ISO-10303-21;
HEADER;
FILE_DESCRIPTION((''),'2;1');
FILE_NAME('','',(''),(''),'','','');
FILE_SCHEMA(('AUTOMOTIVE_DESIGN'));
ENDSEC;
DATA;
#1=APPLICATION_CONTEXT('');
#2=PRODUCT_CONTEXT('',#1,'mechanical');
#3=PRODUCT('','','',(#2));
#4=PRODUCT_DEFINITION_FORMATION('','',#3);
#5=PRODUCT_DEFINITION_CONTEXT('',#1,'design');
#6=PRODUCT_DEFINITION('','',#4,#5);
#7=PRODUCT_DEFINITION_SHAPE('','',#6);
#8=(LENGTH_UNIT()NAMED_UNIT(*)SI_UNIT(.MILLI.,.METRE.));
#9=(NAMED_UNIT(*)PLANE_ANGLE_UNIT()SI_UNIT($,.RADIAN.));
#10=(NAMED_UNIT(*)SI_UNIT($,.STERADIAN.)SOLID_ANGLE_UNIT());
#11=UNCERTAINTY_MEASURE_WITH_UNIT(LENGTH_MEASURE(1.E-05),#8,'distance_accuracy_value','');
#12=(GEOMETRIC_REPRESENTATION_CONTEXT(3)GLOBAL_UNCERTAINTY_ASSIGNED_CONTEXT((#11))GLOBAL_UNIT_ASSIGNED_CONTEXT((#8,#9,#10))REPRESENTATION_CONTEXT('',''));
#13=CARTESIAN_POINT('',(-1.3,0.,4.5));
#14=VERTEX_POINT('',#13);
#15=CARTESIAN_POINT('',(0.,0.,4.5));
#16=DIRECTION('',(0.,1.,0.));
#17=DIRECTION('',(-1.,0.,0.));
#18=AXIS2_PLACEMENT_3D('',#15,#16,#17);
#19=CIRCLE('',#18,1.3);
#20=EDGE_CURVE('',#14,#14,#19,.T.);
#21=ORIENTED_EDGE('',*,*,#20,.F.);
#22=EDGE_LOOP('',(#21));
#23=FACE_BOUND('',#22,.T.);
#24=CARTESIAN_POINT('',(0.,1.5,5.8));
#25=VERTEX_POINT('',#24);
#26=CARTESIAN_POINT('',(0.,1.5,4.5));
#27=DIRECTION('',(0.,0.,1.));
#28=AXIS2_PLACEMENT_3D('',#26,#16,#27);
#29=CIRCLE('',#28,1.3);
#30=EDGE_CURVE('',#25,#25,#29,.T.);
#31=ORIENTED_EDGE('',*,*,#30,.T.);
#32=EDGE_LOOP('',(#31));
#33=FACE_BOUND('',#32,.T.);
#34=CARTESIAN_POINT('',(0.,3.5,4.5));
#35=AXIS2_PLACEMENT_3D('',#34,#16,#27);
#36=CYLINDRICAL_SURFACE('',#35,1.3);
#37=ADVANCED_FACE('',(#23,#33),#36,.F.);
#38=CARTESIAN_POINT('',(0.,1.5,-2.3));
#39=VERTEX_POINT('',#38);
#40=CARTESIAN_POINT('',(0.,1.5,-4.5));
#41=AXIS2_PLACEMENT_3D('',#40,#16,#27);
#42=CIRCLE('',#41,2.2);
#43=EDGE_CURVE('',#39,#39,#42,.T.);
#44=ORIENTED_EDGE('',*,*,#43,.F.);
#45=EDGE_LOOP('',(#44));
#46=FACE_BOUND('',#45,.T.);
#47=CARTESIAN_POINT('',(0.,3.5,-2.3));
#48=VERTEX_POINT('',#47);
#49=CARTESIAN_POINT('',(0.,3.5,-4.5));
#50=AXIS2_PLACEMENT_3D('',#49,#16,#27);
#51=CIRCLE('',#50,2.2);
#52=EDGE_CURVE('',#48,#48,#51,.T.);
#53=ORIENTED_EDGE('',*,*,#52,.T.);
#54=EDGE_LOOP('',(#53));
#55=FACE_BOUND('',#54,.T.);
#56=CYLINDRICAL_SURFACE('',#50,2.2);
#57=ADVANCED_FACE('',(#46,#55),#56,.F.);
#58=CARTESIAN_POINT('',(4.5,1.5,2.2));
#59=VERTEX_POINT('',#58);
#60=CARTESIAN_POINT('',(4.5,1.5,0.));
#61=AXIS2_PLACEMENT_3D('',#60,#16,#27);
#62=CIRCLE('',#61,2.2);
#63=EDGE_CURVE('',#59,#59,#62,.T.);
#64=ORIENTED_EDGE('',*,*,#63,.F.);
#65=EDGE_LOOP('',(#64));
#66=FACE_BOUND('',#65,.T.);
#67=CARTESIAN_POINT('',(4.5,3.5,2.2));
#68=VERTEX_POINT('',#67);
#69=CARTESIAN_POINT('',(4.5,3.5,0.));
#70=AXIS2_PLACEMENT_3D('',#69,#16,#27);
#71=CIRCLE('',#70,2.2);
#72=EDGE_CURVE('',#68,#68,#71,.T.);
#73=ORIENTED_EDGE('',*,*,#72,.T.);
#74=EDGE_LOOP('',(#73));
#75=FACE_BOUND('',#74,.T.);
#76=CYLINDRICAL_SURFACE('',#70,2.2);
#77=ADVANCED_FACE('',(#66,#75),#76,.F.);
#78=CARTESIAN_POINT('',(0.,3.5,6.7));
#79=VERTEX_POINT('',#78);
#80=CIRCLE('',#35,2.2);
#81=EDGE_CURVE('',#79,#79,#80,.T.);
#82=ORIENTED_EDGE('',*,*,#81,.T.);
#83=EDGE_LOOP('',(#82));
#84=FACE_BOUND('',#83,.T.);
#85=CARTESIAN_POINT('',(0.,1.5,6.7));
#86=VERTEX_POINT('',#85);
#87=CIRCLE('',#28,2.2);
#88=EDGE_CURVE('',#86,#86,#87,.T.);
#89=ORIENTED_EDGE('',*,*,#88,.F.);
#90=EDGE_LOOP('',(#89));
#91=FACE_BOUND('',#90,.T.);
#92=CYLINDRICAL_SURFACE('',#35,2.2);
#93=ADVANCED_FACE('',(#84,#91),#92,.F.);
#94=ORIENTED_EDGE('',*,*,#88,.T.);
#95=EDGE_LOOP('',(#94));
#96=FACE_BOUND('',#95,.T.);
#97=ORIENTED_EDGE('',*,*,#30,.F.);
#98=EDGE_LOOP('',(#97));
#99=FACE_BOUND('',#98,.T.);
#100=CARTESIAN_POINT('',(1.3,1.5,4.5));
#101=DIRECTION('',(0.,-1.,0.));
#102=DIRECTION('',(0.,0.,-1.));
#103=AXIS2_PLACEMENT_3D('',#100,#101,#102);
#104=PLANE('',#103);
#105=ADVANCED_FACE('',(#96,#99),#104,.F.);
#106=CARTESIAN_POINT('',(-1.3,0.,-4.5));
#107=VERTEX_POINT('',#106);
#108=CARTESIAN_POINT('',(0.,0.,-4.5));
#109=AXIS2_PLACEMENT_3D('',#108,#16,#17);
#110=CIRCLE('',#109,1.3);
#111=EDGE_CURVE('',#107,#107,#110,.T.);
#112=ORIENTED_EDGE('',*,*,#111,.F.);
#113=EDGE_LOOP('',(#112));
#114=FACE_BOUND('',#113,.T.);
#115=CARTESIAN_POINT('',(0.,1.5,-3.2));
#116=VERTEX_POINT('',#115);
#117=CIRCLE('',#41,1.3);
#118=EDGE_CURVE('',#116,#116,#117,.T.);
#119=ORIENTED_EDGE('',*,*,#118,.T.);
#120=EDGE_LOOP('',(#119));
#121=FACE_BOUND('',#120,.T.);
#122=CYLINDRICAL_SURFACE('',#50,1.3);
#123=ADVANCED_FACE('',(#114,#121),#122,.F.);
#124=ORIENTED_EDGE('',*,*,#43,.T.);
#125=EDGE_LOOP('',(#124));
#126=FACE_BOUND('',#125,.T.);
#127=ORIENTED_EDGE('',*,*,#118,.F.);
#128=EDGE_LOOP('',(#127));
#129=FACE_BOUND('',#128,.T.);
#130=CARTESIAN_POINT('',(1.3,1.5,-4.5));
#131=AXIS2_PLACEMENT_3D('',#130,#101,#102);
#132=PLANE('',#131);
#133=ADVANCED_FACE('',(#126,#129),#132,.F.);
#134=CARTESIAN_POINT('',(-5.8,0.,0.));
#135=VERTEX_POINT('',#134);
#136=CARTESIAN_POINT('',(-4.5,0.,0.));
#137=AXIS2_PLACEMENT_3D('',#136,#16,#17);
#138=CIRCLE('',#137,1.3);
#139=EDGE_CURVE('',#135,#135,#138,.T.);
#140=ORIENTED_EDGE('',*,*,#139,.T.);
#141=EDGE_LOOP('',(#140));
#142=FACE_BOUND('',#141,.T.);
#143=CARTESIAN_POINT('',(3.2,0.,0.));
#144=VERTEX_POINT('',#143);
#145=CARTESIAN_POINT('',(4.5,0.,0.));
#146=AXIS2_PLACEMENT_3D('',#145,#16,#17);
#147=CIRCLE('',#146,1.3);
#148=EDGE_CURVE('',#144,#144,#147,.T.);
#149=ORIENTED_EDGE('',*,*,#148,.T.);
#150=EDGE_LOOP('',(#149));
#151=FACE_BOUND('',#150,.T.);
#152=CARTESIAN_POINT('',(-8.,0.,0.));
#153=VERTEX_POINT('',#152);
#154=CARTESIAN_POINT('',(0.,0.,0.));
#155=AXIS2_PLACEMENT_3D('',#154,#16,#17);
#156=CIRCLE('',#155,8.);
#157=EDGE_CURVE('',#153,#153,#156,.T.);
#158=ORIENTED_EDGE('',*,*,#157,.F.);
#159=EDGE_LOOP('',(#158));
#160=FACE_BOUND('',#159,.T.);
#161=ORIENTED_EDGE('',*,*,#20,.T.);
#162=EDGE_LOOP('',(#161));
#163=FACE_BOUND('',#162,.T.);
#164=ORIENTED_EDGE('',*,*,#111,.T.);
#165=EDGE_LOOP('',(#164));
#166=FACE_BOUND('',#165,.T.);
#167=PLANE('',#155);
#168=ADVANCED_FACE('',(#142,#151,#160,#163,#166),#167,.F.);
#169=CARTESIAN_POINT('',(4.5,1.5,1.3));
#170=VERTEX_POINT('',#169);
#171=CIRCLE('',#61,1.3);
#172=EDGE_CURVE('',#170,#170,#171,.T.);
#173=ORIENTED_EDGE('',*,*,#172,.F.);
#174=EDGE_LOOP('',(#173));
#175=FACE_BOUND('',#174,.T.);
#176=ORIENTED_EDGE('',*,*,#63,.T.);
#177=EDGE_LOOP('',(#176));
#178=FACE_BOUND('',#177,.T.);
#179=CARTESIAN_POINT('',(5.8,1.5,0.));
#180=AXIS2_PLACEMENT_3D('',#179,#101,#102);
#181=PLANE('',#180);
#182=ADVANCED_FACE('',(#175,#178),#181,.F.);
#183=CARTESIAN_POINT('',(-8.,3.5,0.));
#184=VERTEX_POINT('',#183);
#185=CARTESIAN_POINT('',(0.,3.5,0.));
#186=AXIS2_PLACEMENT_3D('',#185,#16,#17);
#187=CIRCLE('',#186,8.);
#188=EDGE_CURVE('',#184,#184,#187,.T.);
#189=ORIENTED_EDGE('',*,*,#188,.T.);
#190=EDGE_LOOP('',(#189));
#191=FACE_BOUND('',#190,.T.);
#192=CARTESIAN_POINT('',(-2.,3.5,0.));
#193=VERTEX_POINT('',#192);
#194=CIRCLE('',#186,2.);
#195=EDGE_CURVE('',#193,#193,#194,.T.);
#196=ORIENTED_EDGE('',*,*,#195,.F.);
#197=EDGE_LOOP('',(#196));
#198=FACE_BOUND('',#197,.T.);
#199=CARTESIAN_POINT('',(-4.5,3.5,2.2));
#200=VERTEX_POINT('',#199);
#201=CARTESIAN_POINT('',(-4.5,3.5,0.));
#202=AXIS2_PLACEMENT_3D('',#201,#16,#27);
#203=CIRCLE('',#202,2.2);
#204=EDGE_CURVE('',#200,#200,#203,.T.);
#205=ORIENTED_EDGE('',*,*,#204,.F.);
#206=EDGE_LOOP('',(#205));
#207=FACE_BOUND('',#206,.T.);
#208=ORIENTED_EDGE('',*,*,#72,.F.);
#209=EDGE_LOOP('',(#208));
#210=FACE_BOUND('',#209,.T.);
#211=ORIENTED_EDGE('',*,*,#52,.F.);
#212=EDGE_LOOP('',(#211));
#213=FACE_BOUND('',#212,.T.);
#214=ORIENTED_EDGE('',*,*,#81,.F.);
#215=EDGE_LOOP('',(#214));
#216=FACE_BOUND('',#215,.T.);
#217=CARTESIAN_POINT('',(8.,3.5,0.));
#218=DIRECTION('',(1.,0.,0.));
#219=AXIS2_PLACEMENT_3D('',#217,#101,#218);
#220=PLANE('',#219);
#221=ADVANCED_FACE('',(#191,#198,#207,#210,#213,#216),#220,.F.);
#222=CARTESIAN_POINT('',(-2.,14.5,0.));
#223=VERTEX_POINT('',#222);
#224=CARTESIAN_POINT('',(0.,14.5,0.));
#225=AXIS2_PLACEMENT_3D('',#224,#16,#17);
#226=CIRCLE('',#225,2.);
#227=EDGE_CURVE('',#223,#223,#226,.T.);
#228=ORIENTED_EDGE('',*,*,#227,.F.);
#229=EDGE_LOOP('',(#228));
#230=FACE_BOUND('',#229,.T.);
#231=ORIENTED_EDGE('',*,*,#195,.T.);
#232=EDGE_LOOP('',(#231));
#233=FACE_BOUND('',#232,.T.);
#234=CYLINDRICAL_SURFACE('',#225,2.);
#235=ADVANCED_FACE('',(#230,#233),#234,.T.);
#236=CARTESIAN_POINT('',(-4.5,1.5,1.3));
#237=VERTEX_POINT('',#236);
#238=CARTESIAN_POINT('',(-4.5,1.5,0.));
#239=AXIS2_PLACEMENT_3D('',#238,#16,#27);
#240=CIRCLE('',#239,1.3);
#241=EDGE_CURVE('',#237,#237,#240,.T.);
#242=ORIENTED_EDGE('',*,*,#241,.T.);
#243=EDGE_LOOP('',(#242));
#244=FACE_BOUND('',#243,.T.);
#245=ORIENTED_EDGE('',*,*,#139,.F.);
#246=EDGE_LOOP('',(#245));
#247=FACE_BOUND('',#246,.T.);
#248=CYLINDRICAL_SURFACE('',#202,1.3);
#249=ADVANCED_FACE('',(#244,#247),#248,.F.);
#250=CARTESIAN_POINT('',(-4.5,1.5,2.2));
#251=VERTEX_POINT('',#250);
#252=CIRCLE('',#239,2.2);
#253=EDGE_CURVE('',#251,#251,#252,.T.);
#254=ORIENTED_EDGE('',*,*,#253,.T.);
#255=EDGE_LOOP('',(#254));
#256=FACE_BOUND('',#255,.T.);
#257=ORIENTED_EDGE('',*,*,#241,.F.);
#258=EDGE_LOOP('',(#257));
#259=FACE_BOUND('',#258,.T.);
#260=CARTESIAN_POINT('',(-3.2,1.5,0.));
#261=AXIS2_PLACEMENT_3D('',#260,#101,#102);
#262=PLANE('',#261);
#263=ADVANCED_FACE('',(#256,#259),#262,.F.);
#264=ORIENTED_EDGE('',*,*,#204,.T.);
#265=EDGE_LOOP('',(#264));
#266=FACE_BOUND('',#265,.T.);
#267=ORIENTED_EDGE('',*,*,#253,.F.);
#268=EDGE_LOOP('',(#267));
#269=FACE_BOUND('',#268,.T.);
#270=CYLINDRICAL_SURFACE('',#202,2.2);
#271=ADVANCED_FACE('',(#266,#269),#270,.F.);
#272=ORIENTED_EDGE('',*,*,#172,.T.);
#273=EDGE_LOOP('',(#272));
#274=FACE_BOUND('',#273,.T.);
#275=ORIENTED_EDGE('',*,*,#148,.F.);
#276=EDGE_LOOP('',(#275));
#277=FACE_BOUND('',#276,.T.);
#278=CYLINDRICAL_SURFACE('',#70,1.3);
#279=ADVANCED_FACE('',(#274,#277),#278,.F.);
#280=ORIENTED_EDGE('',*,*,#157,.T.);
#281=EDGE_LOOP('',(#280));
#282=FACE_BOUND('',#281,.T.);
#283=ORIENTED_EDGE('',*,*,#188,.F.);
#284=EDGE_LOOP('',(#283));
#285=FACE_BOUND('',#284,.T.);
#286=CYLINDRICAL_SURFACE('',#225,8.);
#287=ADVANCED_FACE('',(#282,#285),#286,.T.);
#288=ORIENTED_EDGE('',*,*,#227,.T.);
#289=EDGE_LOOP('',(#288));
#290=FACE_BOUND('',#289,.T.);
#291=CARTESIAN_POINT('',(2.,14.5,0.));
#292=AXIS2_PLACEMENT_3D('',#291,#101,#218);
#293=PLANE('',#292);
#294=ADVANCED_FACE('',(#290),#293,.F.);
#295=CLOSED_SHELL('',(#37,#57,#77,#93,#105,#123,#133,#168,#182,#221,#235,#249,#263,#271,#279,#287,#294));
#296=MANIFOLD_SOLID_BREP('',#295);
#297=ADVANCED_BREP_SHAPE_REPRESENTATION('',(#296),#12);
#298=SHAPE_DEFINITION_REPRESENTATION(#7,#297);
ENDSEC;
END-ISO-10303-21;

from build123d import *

# Parameters (mm, degrees)
CBORE_FOR_M2_SHCS1_D           = 2.6
CBORE_FOR_M2_SHCS1_DEPTH       = 5
CBORE_FOR_M2_SHCS1_CBORE_D     = 4.4
CBORE_FOR_M2_SHCS1_CBORE_DEPTH = 2
CBORE_FOR_M2_SHCS1_TIP         = 0.781118805


with BuildPart() as part:
    # Sketch1 → Revolve1 (revolve)
    with BuildSketch(Plane.XY):
        Polygon((0, 0), (8, 0), (8, 3.5), (2, 3.5), (2, 14.5), (0, 14.5), align=None)
    revolve(axis=Axis((0, 14.5, 0), (0, -1, 0)))

    # CBORE for M2 SHCS1
    with Locations(Plane(origin=(-4.5, 3.5, 0), x_dir=(1, 0, 0), z_dir=(0, 1, 0))):
        with Locations((0, 0), (4.5, 4.5), (9, 0), (4.5, -4.5)):
            CounterBoreHole(CBORE_FOR_M2_SHCS1_D / 2, CBORE_FOR_M2_SHCS1_CBORE_D / 2, CBORE_FOR_M2_SHCS1_CBORE_DEPTH, depth=CBORE_FOR_M2_SHCS1_DEPTH)
            with Locations((0, 0, -(CBORE_FOR_M2_SHCS1_DEPTH + CBORE_FOR_M2_SHCS1_TIP / 2))):  # 118° drill point
                Cone(0, CBORE_FOR_M2_SHCS1_D / 2, CBORE_FOR_M2_SHCS1_TIP, mode=Mode.SUBTRACT)


solid = part.part
